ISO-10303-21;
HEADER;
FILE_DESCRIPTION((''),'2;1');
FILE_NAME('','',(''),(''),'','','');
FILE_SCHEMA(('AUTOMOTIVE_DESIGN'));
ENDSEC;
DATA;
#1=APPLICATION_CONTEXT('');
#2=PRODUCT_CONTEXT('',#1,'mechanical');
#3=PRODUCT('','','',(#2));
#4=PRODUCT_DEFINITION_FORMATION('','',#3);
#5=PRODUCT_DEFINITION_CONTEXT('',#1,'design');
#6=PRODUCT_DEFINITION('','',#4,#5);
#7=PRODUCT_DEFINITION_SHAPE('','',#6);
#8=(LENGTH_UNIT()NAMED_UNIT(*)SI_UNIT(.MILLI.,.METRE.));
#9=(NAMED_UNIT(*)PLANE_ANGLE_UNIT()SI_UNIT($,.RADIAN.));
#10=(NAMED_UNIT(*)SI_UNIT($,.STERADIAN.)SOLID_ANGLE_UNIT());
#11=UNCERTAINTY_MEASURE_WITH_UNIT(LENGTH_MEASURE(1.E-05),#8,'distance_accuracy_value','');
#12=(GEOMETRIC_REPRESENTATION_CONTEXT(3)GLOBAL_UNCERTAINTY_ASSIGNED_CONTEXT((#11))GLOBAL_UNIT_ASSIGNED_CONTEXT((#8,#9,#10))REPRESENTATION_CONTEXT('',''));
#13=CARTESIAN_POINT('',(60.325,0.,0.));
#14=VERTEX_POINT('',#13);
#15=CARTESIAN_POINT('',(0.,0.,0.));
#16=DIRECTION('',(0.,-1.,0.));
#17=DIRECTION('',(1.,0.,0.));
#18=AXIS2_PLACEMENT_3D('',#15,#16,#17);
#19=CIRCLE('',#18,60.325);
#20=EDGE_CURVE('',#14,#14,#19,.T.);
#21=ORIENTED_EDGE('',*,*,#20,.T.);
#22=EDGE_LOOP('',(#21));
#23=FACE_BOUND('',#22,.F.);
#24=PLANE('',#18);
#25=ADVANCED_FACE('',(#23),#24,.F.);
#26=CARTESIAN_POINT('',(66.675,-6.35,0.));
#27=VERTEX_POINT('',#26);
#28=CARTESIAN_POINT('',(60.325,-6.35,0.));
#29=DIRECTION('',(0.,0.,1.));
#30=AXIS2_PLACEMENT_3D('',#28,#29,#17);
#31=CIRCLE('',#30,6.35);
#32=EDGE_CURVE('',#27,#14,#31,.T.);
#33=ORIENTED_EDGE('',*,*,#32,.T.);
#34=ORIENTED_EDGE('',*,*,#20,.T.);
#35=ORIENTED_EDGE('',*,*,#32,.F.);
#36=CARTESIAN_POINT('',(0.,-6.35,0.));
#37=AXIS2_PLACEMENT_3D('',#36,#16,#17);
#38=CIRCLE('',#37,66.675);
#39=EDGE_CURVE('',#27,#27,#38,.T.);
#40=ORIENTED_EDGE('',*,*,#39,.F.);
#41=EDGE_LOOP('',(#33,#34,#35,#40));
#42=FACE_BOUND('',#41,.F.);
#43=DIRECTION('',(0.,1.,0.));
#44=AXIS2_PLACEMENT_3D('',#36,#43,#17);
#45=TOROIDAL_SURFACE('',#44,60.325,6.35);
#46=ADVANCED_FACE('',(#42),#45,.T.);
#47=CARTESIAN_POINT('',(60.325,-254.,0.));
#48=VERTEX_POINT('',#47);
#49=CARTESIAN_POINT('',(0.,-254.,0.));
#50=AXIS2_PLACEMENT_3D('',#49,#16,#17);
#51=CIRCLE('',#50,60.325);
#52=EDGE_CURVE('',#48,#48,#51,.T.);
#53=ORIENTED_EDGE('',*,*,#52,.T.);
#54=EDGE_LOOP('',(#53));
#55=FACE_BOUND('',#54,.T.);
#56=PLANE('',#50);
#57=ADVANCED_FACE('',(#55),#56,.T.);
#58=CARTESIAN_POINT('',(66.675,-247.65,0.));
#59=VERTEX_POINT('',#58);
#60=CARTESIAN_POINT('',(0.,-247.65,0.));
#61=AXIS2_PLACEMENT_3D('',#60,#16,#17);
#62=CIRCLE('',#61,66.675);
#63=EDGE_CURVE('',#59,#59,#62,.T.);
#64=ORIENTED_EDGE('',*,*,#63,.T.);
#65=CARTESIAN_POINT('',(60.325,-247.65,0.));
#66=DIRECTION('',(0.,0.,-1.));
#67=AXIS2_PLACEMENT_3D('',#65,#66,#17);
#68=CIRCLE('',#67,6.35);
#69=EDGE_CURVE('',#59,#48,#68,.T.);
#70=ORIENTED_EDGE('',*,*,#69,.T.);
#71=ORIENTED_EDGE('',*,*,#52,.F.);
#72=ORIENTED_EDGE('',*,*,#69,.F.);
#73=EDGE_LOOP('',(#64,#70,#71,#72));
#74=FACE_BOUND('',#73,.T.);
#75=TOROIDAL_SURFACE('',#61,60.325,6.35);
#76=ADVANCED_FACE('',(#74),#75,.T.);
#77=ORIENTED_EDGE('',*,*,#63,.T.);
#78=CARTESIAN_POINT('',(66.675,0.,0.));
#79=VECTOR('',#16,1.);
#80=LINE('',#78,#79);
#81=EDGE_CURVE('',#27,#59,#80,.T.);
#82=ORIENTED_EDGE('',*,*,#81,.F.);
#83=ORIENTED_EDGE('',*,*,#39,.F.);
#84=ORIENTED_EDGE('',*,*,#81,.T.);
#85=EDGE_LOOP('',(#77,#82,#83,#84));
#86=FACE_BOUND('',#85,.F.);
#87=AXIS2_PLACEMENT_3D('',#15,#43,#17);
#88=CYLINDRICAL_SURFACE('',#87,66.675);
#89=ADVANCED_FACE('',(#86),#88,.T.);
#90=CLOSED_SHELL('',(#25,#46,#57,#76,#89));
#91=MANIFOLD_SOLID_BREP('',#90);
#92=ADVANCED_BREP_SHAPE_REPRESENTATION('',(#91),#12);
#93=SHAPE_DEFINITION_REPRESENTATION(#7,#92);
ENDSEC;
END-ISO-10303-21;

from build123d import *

# Parameters (mm, degrees)
F0_R     = 66.675
F1_DEPTH = 254
F2_R     = 6.35


with BuildPart() as f1:
    # F0 (on Front) → F1 (new body)
    with BuildSketch(Plane.XZ):
        Circle(F0_R)
    extrude(amount=F1_DEPTH)

    # F2
    f2_edges = [f1.edges().sort_by_distance(p)[0] for p in [
        (-66.675, -254, 0),
        (66.675, -127, 0),
        (-66.675, 0, 0),
    ]]
    fillet(f2_edges, radius=F2_R)


solid = f1.part
